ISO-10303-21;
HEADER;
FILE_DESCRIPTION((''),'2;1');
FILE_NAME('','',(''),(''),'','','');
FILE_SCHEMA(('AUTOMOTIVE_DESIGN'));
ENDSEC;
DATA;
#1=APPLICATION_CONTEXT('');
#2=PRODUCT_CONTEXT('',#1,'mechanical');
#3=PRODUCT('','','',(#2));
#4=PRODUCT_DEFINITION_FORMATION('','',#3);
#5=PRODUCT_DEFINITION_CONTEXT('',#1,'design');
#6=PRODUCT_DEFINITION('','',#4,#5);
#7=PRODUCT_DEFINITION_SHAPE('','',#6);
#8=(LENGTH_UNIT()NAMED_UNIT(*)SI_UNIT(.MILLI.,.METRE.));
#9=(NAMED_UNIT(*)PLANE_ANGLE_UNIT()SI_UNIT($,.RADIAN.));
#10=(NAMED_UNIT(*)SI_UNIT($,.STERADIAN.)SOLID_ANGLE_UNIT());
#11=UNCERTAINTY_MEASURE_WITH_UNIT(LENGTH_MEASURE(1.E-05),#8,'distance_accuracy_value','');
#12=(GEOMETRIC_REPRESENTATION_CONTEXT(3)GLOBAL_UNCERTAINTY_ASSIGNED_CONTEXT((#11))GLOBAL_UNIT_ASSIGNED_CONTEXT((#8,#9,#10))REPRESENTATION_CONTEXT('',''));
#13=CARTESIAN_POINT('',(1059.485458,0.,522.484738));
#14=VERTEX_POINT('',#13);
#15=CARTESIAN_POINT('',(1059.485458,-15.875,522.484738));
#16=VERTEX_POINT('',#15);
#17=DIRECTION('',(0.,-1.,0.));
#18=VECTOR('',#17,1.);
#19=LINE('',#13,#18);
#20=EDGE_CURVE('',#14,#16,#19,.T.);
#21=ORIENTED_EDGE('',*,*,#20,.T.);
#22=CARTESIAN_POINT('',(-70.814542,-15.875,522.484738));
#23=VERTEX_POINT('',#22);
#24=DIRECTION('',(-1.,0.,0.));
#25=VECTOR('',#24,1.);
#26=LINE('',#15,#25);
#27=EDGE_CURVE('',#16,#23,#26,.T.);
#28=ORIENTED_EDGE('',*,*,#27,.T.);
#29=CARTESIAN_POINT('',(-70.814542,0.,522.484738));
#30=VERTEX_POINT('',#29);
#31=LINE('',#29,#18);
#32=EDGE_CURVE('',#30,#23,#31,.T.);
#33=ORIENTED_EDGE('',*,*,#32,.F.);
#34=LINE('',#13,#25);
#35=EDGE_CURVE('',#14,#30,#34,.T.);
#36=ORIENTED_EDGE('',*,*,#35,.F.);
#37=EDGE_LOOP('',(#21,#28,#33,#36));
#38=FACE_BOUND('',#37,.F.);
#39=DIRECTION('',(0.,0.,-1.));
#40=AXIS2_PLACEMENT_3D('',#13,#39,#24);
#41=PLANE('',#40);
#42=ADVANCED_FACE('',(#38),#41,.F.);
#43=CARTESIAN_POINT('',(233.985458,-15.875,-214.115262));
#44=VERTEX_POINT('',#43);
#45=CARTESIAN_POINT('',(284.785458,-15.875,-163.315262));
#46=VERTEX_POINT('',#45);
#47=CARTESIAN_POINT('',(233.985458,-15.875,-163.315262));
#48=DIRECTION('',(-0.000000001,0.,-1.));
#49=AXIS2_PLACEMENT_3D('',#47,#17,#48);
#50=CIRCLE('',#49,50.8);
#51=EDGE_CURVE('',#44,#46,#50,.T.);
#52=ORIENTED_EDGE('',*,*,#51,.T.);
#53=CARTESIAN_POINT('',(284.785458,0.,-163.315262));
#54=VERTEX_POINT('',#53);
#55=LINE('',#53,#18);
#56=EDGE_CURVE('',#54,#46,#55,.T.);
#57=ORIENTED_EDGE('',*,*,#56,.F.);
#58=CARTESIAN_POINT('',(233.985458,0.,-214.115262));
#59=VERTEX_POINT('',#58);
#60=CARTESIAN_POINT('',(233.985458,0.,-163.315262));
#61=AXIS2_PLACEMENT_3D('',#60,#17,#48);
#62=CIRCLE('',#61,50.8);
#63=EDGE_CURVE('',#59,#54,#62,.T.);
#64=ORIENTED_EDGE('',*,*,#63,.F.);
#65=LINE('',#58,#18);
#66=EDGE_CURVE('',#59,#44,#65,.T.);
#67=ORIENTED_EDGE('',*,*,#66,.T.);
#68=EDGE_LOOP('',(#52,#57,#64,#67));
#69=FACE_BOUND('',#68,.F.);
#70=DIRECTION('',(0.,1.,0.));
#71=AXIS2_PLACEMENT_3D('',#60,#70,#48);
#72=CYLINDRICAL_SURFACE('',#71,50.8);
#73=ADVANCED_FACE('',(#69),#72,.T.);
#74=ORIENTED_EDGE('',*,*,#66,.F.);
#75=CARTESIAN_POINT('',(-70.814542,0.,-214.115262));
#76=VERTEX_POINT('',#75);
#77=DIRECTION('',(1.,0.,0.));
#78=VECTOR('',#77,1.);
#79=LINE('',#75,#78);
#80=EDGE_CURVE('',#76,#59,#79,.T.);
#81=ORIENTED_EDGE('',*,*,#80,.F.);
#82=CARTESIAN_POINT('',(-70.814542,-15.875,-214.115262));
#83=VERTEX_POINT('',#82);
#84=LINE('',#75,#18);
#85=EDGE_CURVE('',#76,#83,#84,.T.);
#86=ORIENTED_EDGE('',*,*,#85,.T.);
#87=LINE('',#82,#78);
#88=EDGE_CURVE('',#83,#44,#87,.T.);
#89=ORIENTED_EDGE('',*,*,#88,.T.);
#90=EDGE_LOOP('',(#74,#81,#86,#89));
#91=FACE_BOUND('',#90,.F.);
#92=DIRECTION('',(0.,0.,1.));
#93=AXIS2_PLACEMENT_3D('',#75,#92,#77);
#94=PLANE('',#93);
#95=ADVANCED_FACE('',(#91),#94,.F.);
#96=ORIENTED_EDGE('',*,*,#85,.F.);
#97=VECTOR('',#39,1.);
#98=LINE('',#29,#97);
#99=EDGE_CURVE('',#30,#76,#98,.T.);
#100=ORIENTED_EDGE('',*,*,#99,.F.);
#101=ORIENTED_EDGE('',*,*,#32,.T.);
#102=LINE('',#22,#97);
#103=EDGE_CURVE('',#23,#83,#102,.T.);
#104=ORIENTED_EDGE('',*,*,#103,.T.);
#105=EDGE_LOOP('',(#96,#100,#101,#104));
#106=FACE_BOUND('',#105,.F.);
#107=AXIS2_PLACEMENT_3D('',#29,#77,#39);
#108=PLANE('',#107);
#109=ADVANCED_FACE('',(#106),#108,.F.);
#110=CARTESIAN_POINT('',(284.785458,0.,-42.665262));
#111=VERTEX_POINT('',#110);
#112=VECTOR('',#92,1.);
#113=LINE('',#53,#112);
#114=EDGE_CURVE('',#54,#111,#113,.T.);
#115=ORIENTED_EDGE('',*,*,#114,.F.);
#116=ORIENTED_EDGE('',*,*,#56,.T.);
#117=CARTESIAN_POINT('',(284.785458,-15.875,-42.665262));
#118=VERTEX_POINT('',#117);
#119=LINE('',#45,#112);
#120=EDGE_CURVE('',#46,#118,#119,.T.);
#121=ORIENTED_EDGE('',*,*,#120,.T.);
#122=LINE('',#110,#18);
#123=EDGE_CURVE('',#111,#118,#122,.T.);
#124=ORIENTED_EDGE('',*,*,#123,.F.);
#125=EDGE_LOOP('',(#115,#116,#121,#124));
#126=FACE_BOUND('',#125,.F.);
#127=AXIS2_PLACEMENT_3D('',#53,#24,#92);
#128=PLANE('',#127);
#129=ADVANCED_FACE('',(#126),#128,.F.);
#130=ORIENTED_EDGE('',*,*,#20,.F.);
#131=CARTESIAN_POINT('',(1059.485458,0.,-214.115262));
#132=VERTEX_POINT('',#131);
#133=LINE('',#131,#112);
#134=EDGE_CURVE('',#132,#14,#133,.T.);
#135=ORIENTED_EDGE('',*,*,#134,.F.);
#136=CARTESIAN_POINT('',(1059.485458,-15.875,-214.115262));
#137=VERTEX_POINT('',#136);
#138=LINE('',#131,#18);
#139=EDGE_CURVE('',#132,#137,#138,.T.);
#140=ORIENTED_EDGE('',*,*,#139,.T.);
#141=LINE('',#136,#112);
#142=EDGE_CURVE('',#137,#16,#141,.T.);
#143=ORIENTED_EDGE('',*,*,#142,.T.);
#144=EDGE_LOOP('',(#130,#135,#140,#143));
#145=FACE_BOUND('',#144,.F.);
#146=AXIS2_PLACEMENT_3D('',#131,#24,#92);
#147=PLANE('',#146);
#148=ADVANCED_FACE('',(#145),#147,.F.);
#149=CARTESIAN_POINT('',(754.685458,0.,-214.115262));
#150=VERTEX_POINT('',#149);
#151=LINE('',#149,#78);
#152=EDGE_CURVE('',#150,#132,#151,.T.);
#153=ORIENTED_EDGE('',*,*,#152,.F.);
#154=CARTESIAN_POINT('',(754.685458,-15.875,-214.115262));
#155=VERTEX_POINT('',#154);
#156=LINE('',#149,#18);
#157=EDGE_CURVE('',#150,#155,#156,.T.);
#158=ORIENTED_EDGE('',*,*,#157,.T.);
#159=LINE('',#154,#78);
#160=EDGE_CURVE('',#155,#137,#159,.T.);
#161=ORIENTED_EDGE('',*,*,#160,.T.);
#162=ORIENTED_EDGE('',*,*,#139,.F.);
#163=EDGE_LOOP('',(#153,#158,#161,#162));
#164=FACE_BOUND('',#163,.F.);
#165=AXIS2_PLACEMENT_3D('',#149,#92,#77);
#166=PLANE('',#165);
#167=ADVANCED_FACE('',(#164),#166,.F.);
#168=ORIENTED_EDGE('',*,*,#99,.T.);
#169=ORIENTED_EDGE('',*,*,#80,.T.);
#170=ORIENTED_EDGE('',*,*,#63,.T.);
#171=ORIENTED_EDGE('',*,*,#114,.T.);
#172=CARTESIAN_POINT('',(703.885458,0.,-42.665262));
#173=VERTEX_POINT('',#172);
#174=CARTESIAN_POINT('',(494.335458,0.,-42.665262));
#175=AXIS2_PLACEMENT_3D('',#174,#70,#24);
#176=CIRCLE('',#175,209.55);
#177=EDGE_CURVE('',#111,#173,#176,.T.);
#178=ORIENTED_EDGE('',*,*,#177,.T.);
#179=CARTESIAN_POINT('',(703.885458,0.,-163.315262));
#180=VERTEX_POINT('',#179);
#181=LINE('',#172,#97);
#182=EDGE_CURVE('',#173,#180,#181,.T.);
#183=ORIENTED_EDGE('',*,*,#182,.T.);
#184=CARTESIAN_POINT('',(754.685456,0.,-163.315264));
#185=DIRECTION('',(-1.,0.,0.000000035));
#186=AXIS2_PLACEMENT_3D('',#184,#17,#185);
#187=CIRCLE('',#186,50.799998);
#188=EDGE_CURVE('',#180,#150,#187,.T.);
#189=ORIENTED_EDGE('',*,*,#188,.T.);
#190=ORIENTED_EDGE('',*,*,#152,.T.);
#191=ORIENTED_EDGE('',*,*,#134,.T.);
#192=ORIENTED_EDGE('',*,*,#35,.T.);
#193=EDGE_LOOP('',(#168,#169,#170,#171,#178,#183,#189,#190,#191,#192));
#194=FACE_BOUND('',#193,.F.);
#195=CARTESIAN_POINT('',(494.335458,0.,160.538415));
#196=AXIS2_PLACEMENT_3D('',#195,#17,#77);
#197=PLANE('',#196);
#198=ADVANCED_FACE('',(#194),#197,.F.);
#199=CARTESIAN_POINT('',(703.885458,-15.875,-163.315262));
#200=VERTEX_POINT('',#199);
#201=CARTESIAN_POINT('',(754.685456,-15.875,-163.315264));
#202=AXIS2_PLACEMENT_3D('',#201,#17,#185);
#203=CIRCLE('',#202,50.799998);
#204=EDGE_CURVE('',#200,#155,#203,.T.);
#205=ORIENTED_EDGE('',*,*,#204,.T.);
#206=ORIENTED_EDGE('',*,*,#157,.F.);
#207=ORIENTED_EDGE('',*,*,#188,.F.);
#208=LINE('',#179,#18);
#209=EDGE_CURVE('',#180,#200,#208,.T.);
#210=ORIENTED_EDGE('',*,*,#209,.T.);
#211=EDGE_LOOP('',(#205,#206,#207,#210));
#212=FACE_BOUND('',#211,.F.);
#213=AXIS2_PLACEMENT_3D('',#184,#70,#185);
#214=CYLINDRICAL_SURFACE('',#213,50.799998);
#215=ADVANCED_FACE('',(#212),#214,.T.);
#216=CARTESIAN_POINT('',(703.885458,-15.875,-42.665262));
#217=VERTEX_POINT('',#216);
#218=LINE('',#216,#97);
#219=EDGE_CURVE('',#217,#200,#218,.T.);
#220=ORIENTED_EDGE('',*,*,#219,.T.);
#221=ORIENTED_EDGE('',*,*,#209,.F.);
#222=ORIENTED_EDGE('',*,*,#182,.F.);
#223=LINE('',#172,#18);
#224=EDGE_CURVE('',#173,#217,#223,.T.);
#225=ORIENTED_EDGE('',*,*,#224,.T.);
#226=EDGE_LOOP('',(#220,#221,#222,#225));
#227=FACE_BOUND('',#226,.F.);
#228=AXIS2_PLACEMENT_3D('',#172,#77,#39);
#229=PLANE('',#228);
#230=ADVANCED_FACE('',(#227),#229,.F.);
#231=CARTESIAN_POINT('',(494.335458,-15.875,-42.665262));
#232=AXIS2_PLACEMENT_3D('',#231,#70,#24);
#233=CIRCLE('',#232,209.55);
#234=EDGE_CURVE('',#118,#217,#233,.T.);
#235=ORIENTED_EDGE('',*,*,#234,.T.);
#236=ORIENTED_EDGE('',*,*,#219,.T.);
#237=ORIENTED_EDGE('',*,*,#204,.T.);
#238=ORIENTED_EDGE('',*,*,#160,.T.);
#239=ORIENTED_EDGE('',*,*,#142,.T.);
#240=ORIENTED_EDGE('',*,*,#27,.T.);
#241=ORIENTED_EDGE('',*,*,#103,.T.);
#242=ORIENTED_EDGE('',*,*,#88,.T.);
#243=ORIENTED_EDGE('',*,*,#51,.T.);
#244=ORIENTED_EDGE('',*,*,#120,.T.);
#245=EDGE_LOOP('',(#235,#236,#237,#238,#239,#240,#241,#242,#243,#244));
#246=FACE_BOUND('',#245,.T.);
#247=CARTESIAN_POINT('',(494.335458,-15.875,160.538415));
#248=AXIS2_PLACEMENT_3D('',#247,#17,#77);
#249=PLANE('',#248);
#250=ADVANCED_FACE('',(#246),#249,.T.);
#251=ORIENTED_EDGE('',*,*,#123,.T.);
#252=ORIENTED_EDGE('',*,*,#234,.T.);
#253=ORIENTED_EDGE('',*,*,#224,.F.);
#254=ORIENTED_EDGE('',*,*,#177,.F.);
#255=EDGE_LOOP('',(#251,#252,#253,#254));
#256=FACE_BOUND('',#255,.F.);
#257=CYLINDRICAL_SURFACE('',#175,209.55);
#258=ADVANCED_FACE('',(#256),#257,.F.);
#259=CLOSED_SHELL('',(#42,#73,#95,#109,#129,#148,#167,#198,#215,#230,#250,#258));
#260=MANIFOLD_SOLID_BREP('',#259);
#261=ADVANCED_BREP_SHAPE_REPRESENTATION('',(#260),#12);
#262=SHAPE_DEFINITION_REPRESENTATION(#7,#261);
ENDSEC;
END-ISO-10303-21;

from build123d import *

# Parameters (mm, degrees)
F1_DEPTH = 15.875


with BuildPart() as f1:
    # F0 (on Front) → F1 (new body)
    with BuildSketch(Plane.XZ):
        with BuildLine():
            Line((1059.485458, 522.484738), (-70.814542, 522.484738))
            Line((-70.814542, 522.484738), (-70.814542, -214.115262))
            Line((-70.814542, -214.115262), (233.985458, -214.115262))
            ThreePointArc((233.985458, -214.115262), (269.906482, -199.236287), (284.785458, -163.315262))
            Line((284.785458, -163.315262), (284.785458, -42.665262))
            ThreePointArc((284.785458, -42.665262), (494.335458, 166.884738), (703.885458, -42.665262))
            Line((703.885458, -42.665262), (703.885458, -163.315262))
            ThreePointArc((703.885458, -163.315262), (718.764433, -199.236287), (754.685458, -214.115262))
            Line((754.685458, -214.115262), (1059.485458, -214.115262))
            Line((1059.485458, -214.115262), (1059.485458, 522.484738))
        make_face()
    extrude(amount=F1_DEPTH)


solid = f1.part
